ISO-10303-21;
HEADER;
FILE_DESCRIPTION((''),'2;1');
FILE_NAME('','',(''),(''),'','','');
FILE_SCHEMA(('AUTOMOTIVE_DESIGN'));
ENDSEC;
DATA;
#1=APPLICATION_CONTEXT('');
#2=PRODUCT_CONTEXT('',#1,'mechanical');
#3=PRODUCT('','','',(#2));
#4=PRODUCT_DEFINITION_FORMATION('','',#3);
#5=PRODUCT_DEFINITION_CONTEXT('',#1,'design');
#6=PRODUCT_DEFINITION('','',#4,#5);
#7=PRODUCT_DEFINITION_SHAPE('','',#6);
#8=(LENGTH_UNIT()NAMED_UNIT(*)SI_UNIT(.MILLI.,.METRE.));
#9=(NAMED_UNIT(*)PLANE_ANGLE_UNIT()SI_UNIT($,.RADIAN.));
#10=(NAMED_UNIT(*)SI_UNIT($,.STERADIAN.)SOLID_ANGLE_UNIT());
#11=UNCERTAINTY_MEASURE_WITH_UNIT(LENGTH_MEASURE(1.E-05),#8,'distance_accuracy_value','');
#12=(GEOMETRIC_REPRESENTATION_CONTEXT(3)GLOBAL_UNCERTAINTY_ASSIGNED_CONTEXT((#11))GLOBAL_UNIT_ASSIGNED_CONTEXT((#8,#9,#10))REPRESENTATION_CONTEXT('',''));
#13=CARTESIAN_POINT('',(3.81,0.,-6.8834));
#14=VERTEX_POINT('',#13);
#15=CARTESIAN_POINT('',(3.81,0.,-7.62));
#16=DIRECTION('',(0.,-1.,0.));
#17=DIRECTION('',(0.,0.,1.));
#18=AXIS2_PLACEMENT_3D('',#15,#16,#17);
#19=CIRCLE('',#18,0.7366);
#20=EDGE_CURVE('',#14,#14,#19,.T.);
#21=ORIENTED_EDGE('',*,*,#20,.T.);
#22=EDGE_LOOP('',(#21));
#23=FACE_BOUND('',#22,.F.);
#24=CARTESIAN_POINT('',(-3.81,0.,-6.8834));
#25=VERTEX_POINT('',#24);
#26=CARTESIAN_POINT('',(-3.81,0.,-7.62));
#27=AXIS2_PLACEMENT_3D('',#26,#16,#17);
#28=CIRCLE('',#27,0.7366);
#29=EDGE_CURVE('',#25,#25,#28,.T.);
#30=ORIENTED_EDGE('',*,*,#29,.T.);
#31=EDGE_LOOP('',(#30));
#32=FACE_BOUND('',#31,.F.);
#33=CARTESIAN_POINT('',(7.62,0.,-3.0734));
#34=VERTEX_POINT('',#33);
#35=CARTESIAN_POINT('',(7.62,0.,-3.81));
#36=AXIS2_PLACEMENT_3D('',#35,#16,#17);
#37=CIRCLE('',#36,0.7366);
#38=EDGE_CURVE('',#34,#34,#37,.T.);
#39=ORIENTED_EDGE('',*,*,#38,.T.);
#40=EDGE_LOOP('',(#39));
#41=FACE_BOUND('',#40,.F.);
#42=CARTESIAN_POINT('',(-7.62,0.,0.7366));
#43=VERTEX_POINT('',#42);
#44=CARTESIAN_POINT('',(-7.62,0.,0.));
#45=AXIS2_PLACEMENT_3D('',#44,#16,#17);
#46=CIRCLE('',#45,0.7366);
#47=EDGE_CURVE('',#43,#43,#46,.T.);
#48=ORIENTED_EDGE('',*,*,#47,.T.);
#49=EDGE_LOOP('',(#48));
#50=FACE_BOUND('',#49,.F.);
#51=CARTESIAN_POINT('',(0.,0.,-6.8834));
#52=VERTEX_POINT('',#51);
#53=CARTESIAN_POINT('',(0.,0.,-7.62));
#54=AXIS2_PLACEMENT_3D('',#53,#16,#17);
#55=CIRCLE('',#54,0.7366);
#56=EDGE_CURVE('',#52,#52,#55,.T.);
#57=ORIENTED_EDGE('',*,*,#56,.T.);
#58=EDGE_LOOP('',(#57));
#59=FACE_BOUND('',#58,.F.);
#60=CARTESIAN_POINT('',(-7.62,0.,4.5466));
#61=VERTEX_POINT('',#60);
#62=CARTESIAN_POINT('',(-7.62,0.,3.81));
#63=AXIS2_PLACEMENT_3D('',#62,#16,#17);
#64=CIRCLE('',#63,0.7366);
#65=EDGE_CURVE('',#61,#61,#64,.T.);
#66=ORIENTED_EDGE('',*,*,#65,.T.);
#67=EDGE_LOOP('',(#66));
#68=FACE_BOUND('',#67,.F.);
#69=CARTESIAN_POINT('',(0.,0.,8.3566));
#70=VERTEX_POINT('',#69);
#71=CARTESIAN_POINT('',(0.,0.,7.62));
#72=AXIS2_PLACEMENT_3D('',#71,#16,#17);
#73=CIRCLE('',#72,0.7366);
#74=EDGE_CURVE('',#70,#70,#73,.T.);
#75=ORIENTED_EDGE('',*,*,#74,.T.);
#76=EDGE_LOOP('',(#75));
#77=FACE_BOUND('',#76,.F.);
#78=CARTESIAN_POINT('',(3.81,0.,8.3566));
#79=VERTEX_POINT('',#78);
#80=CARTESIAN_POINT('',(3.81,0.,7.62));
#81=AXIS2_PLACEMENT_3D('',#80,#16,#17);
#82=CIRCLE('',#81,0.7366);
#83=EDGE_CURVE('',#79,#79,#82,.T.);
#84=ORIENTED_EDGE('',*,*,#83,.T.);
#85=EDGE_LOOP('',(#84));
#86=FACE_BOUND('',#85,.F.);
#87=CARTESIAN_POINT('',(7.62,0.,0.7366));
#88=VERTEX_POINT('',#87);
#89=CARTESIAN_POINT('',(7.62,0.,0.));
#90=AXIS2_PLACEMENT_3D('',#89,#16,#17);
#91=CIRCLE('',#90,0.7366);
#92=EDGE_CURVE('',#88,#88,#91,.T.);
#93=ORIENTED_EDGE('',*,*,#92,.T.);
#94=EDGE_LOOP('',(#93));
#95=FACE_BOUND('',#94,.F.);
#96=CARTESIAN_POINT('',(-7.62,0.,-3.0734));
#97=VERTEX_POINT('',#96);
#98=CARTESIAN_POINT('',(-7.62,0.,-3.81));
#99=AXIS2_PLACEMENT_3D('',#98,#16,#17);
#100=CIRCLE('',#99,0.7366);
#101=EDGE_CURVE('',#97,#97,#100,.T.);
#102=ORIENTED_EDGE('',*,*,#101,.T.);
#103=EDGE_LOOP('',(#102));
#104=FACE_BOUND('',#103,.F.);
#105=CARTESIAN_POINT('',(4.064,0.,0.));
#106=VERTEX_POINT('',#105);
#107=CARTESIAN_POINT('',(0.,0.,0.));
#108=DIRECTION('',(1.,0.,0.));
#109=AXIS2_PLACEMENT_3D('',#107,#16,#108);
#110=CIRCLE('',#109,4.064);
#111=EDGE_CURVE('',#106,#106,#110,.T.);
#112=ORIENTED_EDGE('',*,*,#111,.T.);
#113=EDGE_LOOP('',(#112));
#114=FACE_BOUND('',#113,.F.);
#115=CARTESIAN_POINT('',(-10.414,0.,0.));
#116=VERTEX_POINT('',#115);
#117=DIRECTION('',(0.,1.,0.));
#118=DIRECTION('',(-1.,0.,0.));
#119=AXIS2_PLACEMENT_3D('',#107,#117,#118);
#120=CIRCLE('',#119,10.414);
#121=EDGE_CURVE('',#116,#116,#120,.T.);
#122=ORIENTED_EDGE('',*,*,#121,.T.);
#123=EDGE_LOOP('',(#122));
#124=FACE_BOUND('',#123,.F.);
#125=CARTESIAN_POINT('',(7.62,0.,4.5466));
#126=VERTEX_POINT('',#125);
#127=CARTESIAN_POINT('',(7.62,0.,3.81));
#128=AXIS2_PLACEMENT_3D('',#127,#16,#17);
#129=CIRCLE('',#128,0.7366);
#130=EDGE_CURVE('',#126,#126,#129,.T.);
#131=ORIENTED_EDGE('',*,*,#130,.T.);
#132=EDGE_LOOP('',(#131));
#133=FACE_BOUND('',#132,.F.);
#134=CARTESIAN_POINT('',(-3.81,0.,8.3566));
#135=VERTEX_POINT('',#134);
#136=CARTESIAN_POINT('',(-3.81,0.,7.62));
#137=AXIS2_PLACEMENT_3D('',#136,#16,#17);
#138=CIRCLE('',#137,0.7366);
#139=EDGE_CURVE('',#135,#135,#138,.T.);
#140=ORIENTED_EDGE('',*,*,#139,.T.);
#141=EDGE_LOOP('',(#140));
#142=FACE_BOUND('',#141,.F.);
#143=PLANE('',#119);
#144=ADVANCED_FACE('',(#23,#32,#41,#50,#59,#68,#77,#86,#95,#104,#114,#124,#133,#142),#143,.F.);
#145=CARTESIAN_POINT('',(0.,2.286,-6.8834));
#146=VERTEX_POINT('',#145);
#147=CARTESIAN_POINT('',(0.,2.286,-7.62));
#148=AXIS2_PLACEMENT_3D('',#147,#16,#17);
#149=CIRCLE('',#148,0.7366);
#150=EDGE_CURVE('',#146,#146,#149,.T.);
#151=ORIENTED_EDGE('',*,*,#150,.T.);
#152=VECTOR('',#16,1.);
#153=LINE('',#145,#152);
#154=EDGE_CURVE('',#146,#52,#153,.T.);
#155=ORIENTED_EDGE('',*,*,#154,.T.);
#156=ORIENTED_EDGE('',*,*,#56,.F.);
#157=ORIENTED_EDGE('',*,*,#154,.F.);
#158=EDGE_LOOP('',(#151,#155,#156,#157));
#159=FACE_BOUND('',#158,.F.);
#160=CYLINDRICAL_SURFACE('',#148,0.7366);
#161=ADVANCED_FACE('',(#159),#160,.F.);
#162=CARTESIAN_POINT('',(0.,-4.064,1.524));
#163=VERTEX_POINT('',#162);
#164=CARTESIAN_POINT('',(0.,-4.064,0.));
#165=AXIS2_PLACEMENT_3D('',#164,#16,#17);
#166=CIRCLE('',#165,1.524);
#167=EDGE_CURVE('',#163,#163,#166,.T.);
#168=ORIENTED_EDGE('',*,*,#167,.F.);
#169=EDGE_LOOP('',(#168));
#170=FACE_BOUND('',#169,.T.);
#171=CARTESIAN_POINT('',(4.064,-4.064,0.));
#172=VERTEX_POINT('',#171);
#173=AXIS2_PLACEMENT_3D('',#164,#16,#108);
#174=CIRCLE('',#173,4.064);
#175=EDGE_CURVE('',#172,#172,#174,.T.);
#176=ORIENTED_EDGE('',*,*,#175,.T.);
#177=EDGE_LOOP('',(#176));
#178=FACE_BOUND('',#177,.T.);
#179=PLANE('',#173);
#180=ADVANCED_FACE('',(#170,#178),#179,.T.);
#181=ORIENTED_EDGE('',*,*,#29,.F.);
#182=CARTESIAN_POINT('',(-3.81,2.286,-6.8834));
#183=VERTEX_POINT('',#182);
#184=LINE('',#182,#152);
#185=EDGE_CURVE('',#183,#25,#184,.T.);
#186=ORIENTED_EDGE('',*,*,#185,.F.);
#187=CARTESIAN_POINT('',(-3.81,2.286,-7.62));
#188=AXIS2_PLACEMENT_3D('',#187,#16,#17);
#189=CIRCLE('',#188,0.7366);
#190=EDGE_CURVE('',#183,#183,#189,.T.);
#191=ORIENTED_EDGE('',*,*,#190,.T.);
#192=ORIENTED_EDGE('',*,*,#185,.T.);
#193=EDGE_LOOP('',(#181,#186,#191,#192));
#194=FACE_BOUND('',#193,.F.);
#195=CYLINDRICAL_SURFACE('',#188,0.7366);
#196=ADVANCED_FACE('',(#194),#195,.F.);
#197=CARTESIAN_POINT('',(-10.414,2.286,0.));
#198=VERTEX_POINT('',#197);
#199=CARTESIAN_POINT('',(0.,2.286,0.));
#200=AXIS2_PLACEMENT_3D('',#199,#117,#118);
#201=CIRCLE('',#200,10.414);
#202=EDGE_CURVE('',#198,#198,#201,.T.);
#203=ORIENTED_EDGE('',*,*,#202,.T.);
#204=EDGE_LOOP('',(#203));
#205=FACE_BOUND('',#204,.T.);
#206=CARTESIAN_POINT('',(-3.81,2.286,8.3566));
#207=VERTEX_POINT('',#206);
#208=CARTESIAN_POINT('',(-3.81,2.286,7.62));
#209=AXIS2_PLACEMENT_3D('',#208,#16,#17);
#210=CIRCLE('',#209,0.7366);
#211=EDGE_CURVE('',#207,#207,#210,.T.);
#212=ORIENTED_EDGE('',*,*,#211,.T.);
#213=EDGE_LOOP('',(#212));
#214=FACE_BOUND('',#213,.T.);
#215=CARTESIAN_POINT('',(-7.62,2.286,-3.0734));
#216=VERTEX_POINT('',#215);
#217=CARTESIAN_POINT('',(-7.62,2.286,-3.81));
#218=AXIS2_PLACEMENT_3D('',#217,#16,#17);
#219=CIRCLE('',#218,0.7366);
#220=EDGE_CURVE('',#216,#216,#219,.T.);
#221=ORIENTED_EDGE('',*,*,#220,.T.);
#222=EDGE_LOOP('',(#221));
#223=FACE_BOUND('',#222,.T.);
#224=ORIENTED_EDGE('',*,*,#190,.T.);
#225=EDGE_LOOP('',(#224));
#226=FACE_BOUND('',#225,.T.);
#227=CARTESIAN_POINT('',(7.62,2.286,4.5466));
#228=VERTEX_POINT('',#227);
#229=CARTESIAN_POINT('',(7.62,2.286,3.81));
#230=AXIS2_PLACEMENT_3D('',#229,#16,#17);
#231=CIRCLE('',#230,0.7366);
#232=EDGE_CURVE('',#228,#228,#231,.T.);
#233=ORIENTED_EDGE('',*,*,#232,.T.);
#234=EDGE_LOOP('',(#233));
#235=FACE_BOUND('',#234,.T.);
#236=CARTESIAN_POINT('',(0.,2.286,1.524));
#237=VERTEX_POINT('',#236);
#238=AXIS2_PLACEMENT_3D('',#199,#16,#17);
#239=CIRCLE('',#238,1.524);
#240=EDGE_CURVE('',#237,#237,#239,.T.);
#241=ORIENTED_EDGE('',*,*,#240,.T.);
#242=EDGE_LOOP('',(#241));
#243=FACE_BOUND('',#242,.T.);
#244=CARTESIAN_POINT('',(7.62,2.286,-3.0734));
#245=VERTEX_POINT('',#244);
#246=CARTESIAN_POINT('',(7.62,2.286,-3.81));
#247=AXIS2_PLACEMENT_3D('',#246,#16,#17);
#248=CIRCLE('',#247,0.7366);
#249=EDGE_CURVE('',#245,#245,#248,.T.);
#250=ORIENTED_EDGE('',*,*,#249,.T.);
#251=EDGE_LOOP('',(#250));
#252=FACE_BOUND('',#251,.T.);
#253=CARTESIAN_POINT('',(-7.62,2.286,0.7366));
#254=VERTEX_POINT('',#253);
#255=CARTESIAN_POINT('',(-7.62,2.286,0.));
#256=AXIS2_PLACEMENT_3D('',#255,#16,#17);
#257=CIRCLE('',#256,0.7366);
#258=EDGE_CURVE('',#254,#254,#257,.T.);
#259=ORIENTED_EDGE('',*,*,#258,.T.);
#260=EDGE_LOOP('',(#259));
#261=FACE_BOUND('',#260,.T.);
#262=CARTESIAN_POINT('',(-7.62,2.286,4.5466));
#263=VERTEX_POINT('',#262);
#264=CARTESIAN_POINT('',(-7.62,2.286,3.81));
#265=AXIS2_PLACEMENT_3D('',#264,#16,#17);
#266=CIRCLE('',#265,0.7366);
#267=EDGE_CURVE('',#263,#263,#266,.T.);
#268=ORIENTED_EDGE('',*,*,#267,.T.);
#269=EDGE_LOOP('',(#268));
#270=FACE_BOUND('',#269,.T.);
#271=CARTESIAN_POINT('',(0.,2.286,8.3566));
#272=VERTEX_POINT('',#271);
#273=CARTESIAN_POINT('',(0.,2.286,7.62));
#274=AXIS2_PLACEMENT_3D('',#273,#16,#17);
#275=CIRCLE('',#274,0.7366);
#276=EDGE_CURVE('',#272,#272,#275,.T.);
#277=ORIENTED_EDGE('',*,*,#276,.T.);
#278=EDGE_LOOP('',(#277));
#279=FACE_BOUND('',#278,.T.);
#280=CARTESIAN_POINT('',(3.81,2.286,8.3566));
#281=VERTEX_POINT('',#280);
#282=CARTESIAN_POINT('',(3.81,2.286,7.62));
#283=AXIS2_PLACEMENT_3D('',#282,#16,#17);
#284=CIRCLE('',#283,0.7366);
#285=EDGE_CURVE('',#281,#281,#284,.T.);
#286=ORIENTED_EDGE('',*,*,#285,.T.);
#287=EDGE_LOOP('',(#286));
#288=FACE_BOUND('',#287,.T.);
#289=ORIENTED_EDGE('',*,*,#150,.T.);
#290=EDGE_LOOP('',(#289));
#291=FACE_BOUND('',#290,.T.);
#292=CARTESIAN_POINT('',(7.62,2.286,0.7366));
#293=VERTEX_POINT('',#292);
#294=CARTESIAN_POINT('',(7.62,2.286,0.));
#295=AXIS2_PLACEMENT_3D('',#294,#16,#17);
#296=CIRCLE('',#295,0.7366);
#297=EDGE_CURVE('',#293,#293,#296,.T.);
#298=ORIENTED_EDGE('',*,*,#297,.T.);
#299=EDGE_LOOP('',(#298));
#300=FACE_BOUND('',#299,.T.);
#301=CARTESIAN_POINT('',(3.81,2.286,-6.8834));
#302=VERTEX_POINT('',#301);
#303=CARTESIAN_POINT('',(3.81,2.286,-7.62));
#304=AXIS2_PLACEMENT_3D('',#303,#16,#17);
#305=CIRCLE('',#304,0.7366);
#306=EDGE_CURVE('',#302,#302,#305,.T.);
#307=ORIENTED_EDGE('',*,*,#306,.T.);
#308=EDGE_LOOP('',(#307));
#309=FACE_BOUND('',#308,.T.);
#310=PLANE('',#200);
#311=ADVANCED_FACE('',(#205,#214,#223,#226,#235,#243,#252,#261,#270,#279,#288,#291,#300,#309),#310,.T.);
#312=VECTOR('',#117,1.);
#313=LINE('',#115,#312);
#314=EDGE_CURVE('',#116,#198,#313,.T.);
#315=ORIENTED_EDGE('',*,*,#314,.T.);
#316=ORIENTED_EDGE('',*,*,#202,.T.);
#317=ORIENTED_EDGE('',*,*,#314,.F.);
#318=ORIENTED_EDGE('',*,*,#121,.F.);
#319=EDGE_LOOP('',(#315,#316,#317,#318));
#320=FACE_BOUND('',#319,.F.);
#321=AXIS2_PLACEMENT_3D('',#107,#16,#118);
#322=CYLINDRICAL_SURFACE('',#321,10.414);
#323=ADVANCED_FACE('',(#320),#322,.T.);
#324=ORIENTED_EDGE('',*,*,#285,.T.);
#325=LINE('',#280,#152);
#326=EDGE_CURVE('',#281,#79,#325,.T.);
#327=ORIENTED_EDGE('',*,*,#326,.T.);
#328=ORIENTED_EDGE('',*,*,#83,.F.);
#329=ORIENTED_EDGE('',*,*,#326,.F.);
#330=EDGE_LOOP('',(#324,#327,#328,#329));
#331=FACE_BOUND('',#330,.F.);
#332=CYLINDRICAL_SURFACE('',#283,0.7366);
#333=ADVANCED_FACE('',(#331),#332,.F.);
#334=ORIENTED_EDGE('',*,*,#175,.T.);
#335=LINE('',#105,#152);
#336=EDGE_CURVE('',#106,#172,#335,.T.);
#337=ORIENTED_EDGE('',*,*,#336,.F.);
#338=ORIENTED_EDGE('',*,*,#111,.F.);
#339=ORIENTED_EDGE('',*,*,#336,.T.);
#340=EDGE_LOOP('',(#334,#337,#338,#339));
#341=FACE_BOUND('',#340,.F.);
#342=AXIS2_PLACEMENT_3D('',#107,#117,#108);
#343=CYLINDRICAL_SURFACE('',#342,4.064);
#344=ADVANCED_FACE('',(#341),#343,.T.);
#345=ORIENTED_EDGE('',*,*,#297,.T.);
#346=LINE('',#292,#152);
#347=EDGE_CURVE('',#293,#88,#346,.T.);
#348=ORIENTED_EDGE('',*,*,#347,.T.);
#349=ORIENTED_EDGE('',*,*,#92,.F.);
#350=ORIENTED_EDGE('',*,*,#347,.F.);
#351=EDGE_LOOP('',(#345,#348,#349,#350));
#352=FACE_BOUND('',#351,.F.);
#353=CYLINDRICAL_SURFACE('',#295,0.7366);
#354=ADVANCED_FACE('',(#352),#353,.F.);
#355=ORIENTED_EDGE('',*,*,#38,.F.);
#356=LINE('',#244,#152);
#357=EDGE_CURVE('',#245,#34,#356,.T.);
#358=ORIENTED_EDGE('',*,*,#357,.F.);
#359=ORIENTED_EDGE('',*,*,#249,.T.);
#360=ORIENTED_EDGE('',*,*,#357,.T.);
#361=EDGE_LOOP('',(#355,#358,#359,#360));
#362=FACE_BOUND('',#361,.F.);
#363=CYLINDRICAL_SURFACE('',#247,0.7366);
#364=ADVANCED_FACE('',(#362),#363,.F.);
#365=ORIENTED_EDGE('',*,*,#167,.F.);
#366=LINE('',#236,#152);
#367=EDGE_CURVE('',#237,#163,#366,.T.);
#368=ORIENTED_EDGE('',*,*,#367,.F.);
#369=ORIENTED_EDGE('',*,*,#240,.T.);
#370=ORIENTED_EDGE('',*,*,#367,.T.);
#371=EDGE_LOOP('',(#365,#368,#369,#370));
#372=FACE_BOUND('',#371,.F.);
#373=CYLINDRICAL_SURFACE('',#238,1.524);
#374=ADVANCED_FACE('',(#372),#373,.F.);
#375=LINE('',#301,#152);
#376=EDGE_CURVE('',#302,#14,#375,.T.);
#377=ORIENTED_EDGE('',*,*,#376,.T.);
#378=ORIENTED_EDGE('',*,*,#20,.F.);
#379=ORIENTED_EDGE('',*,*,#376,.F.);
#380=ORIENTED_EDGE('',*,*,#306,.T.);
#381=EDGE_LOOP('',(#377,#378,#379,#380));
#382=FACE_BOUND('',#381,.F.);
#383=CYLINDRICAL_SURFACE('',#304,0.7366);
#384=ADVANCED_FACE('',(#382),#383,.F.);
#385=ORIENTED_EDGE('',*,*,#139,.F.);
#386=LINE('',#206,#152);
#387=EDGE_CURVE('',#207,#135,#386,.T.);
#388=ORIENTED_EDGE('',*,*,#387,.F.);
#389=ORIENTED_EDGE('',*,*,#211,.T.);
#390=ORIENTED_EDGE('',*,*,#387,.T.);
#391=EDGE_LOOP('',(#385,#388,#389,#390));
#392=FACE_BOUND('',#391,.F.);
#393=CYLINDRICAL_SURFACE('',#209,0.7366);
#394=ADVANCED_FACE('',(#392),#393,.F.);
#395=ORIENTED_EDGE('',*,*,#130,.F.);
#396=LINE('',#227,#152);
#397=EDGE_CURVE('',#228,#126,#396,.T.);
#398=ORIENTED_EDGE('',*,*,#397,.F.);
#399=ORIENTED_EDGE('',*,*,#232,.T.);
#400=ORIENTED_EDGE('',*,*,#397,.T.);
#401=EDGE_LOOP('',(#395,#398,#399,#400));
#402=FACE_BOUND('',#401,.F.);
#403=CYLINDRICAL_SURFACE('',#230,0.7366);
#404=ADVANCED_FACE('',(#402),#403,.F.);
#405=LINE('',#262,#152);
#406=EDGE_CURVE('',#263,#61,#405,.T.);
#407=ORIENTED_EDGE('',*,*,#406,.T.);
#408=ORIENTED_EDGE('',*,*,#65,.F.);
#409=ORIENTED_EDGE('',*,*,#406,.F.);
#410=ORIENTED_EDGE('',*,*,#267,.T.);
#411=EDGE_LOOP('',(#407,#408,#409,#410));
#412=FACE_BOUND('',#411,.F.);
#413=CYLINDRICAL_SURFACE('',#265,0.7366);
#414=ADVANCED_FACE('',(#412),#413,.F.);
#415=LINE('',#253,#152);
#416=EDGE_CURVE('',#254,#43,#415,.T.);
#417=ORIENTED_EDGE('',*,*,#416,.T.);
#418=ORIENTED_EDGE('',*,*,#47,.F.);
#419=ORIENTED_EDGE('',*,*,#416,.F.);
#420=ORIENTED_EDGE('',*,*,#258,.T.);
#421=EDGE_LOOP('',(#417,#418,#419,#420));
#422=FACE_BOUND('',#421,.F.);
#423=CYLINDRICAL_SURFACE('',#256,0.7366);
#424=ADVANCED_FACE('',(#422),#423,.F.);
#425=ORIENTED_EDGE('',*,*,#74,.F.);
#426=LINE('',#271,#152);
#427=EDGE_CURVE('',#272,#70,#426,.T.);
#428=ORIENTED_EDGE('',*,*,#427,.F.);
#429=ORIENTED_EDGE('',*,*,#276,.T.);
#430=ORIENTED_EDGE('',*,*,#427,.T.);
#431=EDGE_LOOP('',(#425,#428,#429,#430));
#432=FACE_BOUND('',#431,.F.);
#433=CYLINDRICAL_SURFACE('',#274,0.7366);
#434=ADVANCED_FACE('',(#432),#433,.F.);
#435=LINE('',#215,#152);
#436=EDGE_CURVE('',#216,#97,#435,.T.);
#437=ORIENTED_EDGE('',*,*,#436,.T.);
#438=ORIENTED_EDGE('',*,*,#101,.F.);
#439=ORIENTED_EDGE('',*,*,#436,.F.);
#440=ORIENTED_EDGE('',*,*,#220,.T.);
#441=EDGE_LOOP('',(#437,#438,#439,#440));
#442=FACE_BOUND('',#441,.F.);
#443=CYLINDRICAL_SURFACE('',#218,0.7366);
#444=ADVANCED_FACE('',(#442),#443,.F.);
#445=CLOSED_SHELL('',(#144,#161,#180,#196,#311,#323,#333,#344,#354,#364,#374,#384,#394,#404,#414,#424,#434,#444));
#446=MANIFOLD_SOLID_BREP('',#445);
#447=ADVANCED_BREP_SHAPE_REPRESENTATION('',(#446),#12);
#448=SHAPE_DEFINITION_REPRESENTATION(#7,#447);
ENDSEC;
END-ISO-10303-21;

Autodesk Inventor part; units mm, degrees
ref_plane "YZ Plane" through (0, 0, 0) normal (1, 0, 0) x (0, 1, 0)
ref_plane "XZ Plane" through (0, 0, 0) normal (0, 1, 0) x (-1, 0, 0)
ref_plane "XY Plane" through (0, 0, 0) normal (0, 0, 1) x (1, 0, 0)
sketch "Sketch1" plane through (0, 0, 0) normal (0, 1, 0) x (-1, 0, 0)
  circle A0 centre (0, 0) radius 10.414
  dimension "d0" = 20.828
extrude "Extrusion1" add sketch "Sketch1" along normal blind 2.286
sketch "Sketch2" plane through (0, 0, 0) normal (0, -1, 0) x (1, 0, 0)
  circle A0 centre (0, 0) radius 10.414 projected
  circle A1 centre (0, 0) radius 4.064
  dimension "d3" = 8.128
extrude "Extrusion2" add sketch "Sketch2" along normal blind 4.064 contours A1
sketch "Sketch3" plane through (0, 2.286, 0) normal (0, 1, 0) x (1, 0, 0)
  circle A0 centre (0, 0) radius 10.414 projected
  circle A1 centre (0, 0) radius 7.62 construction
  line L0 (-7.62, 0) -> (-7.62, -7.62) construction
  line L1 (-7.62, -7.62) -> (7.62, -7.62) construction
  line L2 (7.62, -7.62) -> (7.62, 7.62) construction
  line L3 (7.62, 7.62) -> (-7.62, 7.62) construction
  line L4 (-7.62, 7.62) -> (-7.62, 0) construction
  point P0 (0, 7.62)
  point P1 (3.81, 7.62)
  point P2 (-3.81, 7.62)
  point P3 (7.62, 0)
  point P4 (7.62, 3.81)
  point P5 (7.62, -3.81)
  point P6 (-7.62, 3.81)
  point P7 (-7.62, -3.81)
  point P8 (0, -7.62)
  point P9 (-3.81, -7.62)
  point P10 (3.81, -7.62)
  dimension "d6" = 15.24
  dimension "d8" = 7.62
  dimension "d9" = 7.62
  dimension "d10" = 7.62
  dimension "d11" = 3.81
  dimension "d12" = 3.81
  dimension "d13" = 3.81
  dimension "d14" = 3.81
  dimension "d15" = 3.81
  dimension "d16" = 3.81
  dimension "d17" = 3.81
  dimension "d18" = 3.81
hole "Hole1" at (0, 2.286, -7.62) at (3.81, 2.286, -7.62) at (-3.81, 2.286, -7.62) at (7.62, 2.286, 0) at (7.62, 2.286, -3.81) at (7.62, 2.286, 3.81) at (-7.62, 2.286, 0) at (-7.62, 2.286, -3.81) at (-7.62, 2.286, 3.81) at (0, 2.286, 7.62) at (-3.81, 2.286, 7.62) at (3.81, 2.286, 7.62) direction (0, -1, 0) diameter 1.4732 end through all
hole "Hole2" at (0, 2.286, 0) direction (0, -1, 0) diameter 3.048 end through all
properties part number "horn01" material "Aluminum 6061"
